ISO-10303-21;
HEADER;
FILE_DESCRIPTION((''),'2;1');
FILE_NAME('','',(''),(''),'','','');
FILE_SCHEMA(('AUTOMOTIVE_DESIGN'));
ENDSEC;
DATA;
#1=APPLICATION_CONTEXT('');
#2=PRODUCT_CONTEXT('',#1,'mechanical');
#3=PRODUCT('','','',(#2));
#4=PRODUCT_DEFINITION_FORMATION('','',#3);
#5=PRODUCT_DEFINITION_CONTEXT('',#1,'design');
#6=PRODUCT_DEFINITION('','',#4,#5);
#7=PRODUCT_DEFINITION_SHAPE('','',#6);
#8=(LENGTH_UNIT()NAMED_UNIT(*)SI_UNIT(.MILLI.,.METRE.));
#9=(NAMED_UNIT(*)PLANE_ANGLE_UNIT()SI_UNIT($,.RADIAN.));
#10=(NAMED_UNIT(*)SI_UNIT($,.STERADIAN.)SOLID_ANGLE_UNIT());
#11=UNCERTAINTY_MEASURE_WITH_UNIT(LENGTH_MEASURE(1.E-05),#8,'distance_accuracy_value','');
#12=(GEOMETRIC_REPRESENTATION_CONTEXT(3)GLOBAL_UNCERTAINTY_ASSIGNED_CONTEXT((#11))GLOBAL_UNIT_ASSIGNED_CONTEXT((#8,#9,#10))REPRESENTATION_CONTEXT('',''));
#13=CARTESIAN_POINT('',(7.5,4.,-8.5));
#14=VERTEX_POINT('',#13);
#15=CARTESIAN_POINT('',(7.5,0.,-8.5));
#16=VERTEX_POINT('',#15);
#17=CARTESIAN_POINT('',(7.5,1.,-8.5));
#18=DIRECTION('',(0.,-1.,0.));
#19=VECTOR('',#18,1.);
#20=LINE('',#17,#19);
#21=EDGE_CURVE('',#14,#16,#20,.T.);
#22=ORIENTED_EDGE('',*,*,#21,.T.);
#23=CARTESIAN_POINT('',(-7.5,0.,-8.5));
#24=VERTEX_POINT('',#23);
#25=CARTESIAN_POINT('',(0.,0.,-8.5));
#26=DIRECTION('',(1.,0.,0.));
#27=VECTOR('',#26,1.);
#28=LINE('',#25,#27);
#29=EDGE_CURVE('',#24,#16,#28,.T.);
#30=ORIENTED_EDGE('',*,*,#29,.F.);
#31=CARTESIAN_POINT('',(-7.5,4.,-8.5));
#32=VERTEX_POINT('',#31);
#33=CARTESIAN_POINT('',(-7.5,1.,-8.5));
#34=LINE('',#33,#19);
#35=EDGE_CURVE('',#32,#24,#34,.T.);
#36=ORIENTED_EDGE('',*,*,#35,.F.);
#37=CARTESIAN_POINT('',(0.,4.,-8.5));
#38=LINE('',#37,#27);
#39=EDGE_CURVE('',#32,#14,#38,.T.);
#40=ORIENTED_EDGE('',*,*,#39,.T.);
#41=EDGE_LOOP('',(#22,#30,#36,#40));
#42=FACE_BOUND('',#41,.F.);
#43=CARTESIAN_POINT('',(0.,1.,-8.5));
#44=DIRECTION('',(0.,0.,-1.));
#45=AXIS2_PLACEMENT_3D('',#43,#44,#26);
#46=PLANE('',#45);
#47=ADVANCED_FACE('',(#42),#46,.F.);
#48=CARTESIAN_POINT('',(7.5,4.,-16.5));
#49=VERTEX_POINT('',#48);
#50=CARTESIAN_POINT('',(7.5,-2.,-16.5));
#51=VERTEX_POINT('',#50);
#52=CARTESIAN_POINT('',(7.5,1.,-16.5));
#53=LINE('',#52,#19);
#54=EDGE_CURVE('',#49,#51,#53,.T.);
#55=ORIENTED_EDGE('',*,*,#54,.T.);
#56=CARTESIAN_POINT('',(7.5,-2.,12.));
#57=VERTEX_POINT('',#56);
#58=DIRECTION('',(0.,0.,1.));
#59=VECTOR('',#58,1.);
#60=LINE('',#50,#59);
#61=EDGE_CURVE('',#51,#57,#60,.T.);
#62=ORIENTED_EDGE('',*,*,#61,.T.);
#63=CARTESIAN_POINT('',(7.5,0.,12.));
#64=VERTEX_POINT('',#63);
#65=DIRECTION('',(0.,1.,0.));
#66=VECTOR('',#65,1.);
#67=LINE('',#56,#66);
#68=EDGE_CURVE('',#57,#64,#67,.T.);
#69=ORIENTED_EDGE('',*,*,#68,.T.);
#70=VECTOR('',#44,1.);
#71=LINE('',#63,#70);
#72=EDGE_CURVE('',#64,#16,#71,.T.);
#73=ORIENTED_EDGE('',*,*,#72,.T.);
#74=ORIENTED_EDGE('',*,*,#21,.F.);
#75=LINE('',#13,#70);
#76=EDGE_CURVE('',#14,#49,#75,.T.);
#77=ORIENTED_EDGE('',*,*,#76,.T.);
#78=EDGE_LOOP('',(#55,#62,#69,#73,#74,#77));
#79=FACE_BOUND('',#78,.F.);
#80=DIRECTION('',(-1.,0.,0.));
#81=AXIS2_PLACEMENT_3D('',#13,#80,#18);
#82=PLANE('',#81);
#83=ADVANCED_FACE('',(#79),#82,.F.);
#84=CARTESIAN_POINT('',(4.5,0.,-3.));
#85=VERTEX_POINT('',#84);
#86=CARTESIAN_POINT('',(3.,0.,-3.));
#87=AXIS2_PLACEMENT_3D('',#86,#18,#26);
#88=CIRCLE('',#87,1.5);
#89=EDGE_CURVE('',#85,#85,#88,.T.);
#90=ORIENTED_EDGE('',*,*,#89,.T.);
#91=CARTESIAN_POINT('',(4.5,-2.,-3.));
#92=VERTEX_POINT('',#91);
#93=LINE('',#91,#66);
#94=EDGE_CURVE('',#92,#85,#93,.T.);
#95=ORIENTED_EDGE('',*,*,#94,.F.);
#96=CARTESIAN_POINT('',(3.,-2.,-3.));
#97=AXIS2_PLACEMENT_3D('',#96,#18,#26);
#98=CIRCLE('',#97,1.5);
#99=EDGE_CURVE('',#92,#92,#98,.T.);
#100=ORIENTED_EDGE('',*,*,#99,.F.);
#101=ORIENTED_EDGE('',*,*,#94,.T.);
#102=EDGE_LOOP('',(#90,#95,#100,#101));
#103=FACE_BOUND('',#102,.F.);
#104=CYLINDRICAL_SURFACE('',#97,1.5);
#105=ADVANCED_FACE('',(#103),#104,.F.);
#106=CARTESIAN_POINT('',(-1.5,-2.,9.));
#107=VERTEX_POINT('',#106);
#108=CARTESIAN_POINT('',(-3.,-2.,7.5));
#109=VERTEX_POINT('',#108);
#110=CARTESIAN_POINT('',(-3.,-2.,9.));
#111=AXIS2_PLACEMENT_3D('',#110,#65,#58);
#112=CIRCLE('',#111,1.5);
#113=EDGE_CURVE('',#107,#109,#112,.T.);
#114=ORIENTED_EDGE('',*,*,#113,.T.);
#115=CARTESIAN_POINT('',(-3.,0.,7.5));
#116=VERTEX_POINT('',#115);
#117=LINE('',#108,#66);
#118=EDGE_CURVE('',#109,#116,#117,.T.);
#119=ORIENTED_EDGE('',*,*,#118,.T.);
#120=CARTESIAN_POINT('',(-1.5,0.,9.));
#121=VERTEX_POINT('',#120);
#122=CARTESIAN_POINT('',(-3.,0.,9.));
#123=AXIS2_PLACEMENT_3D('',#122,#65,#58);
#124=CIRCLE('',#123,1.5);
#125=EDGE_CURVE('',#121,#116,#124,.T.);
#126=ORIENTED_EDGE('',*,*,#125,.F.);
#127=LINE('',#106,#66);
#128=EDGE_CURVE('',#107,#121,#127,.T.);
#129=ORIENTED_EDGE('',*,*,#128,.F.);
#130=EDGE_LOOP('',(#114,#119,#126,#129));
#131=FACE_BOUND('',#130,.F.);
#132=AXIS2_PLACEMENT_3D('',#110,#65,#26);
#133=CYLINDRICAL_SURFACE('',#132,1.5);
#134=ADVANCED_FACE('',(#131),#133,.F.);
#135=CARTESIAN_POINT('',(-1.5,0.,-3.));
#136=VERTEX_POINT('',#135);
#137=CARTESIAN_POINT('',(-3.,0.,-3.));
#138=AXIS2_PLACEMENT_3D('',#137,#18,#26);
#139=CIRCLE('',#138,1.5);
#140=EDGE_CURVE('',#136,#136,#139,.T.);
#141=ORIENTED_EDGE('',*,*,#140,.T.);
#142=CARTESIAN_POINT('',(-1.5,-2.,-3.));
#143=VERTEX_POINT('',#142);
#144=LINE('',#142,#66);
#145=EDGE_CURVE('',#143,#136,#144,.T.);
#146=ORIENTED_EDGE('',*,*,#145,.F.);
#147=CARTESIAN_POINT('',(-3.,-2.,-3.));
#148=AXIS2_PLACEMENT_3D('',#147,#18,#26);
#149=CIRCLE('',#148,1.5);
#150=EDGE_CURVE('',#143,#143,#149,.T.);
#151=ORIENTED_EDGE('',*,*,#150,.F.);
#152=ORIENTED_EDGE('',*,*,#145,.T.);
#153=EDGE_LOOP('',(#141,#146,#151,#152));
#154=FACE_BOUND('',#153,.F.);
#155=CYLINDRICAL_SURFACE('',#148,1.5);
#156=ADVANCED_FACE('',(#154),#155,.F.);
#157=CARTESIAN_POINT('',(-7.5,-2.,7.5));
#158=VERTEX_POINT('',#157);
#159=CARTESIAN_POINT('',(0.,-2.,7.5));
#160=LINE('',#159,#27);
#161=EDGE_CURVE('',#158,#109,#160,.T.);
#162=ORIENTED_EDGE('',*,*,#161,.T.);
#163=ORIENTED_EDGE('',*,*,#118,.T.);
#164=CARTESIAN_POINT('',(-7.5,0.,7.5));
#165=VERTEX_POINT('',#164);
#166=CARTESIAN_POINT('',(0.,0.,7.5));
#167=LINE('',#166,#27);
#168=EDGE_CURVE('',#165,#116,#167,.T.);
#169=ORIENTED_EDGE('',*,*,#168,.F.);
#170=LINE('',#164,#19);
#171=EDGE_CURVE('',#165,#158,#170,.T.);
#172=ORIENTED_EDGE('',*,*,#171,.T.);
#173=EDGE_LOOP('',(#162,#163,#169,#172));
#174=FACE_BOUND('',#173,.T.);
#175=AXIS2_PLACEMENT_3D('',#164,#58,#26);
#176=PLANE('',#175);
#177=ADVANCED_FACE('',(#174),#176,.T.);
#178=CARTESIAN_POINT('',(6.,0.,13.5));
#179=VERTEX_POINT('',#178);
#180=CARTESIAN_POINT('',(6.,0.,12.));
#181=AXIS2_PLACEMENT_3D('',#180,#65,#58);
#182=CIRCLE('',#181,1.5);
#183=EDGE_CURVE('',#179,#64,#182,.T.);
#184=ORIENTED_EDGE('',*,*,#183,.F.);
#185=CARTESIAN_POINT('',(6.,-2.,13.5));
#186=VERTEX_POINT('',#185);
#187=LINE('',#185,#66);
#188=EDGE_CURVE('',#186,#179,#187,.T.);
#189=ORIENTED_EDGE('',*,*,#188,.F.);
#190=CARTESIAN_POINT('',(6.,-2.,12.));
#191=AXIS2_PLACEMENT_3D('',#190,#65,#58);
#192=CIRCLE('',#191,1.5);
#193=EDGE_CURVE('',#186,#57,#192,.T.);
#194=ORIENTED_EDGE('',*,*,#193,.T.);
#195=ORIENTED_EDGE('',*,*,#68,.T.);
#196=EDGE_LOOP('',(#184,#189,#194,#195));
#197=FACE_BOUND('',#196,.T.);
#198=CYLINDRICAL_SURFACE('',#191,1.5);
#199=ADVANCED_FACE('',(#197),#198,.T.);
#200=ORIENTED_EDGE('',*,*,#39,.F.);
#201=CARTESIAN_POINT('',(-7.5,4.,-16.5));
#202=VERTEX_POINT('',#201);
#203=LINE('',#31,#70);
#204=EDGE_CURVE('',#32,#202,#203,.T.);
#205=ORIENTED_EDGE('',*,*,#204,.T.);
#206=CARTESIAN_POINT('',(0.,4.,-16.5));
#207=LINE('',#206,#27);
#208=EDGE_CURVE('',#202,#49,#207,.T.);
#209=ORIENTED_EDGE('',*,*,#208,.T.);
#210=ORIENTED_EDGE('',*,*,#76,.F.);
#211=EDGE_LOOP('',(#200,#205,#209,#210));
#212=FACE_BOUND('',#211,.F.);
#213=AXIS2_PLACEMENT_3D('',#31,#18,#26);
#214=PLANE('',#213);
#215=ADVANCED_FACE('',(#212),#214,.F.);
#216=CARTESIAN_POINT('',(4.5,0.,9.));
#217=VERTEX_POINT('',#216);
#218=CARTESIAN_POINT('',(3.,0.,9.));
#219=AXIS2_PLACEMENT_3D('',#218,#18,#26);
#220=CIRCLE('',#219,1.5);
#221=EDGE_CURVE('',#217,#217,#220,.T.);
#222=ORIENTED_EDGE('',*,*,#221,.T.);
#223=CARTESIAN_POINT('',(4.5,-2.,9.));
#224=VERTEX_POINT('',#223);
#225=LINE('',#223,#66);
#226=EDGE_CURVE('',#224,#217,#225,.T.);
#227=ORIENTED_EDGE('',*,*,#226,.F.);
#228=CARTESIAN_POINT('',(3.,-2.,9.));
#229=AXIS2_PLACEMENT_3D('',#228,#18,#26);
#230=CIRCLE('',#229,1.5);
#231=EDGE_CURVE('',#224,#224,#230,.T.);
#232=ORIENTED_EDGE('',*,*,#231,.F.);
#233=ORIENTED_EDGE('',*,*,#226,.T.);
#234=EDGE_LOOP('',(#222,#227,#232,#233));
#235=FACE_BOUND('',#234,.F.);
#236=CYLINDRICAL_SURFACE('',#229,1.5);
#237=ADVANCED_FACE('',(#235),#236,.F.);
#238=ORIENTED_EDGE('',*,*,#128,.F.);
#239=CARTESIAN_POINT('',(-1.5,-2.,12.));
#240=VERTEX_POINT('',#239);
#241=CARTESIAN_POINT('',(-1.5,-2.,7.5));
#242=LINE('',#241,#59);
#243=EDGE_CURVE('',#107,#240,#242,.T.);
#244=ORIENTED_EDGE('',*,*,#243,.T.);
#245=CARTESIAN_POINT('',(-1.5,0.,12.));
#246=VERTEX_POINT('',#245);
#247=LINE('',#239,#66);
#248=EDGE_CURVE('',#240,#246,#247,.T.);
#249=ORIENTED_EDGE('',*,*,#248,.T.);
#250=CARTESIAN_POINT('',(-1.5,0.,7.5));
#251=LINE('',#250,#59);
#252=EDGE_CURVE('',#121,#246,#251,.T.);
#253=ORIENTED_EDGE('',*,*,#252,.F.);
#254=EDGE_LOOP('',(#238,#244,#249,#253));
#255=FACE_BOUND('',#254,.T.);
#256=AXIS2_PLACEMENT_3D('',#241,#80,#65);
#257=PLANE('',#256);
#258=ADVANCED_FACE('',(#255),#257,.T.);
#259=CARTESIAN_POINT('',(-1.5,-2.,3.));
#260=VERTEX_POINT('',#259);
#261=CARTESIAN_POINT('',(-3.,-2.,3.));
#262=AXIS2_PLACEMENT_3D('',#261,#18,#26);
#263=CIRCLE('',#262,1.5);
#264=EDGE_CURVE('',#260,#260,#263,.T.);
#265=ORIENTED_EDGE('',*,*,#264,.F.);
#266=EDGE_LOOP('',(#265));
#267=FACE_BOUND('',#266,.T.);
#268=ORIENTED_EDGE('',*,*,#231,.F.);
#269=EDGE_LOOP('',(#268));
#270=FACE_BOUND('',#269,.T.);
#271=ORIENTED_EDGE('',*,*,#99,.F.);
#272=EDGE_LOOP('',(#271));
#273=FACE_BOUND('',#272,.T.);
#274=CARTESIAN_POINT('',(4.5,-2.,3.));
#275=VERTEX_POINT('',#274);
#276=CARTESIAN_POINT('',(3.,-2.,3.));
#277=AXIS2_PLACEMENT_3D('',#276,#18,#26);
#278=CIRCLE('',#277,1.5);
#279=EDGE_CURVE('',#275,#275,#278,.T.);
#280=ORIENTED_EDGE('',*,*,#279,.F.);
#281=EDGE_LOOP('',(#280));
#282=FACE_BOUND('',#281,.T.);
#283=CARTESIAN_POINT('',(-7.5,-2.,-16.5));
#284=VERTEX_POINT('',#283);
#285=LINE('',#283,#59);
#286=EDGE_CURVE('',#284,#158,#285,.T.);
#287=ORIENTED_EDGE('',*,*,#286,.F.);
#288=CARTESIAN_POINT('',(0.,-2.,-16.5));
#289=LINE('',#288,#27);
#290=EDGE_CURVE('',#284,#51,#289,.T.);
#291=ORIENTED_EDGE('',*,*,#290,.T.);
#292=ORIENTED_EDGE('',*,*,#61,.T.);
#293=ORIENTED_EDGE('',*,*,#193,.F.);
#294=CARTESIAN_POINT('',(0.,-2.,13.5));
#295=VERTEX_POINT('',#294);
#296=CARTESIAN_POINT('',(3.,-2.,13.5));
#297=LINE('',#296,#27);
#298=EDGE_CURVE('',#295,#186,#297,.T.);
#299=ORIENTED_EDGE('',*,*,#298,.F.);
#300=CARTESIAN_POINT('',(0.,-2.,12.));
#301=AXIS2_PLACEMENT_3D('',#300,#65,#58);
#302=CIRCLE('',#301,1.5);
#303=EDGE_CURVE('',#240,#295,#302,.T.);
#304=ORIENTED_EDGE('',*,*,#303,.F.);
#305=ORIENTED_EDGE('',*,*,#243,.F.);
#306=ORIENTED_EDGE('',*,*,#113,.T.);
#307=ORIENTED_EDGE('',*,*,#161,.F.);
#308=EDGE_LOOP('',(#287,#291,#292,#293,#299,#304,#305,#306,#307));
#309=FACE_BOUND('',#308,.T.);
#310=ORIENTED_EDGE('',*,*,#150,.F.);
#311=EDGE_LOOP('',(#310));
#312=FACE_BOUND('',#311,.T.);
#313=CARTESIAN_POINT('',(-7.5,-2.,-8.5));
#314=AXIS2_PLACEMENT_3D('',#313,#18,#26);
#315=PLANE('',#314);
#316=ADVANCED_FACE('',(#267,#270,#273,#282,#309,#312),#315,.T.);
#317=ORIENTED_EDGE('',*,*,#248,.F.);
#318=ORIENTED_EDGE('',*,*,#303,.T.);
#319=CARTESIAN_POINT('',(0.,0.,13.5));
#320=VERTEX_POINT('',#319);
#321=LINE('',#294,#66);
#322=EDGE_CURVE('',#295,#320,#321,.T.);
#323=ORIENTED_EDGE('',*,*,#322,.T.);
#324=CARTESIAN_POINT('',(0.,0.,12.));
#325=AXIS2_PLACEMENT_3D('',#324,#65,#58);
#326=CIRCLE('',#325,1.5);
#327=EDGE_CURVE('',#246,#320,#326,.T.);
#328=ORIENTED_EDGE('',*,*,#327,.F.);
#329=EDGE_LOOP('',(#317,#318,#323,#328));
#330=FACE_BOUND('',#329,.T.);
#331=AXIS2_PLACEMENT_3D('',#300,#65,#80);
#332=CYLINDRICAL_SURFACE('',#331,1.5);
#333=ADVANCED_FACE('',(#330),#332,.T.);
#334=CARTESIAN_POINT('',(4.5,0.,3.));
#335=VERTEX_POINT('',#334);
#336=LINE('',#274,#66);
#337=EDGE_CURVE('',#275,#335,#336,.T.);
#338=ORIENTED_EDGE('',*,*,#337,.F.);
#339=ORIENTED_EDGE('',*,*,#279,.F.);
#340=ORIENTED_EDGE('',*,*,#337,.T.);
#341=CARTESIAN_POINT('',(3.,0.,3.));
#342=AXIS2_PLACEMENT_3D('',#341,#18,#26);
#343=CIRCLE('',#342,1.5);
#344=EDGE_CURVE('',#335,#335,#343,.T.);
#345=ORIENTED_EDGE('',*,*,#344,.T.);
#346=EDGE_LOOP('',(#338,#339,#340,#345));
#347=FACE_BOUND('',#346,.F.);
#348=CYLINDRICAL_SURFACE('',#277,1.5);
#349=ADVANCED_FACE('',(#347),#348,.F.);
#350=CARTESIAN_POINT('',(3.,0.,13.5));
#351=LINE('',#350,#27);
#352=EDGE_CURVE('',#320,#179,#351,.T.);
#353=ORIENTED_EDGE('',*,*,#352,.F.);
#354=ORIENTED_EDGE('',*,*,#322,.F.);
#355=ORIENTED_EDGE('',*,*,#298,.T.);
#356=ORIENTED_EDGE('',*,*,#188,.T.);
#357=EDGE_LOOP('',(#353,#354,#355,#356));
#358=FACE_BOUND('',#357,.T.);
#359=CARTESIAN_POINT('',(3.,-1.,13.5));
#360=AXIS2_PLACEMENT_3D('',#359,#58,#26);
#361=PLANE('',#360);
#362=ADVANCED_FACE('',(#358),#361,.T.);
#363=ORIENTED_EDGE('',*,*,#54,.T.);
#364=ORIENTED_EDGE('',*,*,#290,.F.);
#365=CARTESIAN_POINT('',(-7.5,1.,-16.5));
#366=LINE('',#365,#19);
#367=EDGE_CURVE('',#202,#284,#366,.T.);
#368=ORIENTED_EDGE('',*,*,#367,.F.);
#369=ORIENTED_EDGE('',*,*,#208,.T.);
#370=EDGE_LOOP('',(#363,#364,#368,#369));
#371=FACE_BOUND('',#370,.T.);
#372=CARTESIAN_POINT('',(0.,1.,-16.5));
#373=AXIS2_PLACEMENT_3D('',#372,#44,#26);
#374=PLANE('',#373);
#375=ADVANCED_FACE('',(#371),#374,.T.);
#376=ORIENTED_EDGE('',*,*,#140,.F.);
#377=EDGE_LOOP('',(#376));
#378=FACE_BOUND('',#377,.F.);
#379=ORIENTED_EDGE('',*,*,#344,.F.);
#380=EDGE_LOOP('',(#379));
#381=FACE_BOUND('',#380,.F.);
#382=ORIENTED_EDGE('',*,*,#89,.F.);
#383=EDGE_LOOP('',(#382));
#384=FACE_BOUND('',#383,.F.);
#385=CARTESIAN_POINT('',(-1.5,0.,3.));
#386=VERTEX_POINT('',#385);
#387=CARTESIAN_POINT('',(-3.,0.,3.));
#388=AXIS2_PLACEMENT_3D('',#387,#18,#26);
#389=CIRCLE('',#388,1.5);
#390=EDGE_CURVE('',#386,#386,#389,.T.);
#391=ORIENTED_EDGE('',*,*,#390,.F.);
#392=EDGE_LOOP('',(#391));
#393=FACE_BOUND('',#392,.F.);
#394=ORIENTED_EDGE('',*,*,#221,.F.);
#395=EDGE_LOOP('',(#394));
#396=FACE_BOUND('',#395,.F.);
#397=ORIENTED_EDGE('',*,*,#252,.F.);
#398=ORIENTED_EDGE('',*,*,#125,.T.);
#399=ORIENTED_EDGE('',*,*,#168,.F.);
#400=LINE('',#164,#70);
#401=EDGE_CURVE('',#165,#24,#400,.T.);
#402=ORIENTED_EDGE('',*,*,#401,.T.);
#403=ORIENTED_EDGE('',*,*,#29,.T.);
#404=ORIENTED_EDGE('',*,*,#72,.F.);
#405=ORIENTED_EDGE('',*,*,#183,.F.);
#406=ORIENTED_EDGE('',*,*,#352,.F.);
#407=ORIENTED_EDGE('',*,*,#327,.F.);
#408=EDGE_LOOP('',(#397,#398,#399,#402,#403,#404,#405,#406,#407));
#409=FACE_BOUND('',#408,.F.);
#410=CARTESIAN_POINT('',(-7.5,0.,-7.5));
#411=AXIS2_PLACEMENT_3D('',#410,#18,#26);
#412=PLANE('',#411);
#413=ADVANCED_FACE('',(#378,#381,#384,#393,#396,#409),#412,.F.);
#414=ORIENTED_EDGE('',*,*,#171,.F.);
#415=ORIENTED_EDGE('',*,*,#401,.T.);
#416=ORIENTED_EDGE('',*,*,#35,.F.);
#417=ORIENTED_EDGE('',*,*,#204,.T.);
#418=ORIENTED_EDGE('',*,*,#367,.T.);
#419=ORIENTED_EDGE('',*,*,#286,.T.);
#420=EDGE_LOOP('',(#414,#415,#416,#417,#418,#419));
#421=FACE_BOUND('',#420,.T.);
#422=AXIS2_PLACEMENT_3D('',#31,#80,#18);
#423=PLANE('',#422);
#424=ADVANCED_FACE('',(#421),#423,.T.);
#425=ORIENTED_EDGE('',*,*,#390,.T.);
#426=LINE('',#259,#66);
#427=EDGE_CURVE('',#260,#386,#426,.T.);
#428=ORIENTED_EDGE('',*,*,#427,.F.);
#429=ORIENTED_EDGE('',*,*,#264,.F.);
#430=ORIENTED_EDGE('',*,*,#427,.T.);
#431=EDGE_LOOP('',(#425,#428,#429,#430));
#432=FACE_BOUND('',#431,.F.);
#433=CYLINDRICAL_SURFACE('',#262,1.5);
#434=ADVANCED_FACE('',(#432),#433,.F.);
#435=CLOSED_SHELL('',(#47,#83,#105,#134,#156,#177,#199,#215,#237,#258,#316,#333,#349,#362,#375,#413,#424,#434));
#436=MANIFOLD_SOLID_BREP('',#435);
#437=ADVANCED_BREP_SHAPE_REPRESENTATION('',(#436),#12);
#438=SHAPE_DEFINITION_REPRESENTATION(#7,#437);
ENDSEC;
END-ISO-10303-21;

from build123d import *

# Parameters (mm, degrees)
F0_W      = 15
F0_H      = 15
F1_DEPTH  = 2
F2_R      = 1.5
F3_DEPTH  = 25
F4_W      = 9
F4_H      = 2
F5_DEPTH  = 6
F6_R      = 1.5
F7_DEPTH  = 25
F8_R      = 1.5
F9_W      = 15
F9_H      = 2
F10_DEPTH = 1
F11_W     = 15
F11_H     = 6
F12_DEPTH = 8


with BuildPart() as f1:
    # F0 (on Front) → F1 (new body)
    with BuildSketch(Plane.XZ):
        Rectangle(F0_W, F0_H)
    extrude(amount=F1_DEPTH)

    # F2 (on face) → F3 (cut)
    with BuildSketch(Plane.XZ.offset(2)):
        with Locations((3, 3)):
            Circle(F2_R)
        with Locations((-3, 3)):
            Circle(F2_R)
        with Locations((-3, -3)):
            Circle(F2_R)
        with Locations((3, -3)):
            Circle(F2_R)
    extrude(amount=-F3_DEPTH, mode=Mode.SUBTRACT)

    # F4 (on face) → F5 (join)
    with BuildSketch(Plane.XY.offset(7.5)):
        with Locations((3, -1)):
            Rectangle(F4_W, F4_H)
    extrude(amount=F5_DEPTH)

    # F6 (on face) → F7 (cut)
    with BuildSketch(Plane.XZ.offset(2)):
        with Locations((3, 9)):
            Circle(F6_R)
    extrude(amount=-F7_DEPTH, mode=Mode.SUBTRACT)

    # F8
    f8_edges = [f1.edges().sort_by_distance(p)[0] for p in [
        (7.5, -1, 13.5),
        (-1.5, -1, 13.5),
        (-1.5, -1, 7.5),
    ]]
    fillet(f8_edges, radius=F8_R)

    # F9 (on face) → F10 (join)
    with BuildSketch(Plane(origin=(0, 0, -7.5), x_dir=(1, 0, 0), z_dir=(0, 0, -1))):
        with Locations((0, 1)):
            Rectangle(F9_W, F9_H)
    extrude(amount=F10_DEPTH)

    # F11 (on face) → F12 (join)
    with BuildSketch(Plane(origin=(0, 0, -8.5), x_dir=(1, 0, 0), z_dir=(0, 0, -1))):
        with Locations((0, -1)):
            Rectangle(F11_W, F11_H)
    extrude(amount=F12_DEPTH)


solid = f1.part
